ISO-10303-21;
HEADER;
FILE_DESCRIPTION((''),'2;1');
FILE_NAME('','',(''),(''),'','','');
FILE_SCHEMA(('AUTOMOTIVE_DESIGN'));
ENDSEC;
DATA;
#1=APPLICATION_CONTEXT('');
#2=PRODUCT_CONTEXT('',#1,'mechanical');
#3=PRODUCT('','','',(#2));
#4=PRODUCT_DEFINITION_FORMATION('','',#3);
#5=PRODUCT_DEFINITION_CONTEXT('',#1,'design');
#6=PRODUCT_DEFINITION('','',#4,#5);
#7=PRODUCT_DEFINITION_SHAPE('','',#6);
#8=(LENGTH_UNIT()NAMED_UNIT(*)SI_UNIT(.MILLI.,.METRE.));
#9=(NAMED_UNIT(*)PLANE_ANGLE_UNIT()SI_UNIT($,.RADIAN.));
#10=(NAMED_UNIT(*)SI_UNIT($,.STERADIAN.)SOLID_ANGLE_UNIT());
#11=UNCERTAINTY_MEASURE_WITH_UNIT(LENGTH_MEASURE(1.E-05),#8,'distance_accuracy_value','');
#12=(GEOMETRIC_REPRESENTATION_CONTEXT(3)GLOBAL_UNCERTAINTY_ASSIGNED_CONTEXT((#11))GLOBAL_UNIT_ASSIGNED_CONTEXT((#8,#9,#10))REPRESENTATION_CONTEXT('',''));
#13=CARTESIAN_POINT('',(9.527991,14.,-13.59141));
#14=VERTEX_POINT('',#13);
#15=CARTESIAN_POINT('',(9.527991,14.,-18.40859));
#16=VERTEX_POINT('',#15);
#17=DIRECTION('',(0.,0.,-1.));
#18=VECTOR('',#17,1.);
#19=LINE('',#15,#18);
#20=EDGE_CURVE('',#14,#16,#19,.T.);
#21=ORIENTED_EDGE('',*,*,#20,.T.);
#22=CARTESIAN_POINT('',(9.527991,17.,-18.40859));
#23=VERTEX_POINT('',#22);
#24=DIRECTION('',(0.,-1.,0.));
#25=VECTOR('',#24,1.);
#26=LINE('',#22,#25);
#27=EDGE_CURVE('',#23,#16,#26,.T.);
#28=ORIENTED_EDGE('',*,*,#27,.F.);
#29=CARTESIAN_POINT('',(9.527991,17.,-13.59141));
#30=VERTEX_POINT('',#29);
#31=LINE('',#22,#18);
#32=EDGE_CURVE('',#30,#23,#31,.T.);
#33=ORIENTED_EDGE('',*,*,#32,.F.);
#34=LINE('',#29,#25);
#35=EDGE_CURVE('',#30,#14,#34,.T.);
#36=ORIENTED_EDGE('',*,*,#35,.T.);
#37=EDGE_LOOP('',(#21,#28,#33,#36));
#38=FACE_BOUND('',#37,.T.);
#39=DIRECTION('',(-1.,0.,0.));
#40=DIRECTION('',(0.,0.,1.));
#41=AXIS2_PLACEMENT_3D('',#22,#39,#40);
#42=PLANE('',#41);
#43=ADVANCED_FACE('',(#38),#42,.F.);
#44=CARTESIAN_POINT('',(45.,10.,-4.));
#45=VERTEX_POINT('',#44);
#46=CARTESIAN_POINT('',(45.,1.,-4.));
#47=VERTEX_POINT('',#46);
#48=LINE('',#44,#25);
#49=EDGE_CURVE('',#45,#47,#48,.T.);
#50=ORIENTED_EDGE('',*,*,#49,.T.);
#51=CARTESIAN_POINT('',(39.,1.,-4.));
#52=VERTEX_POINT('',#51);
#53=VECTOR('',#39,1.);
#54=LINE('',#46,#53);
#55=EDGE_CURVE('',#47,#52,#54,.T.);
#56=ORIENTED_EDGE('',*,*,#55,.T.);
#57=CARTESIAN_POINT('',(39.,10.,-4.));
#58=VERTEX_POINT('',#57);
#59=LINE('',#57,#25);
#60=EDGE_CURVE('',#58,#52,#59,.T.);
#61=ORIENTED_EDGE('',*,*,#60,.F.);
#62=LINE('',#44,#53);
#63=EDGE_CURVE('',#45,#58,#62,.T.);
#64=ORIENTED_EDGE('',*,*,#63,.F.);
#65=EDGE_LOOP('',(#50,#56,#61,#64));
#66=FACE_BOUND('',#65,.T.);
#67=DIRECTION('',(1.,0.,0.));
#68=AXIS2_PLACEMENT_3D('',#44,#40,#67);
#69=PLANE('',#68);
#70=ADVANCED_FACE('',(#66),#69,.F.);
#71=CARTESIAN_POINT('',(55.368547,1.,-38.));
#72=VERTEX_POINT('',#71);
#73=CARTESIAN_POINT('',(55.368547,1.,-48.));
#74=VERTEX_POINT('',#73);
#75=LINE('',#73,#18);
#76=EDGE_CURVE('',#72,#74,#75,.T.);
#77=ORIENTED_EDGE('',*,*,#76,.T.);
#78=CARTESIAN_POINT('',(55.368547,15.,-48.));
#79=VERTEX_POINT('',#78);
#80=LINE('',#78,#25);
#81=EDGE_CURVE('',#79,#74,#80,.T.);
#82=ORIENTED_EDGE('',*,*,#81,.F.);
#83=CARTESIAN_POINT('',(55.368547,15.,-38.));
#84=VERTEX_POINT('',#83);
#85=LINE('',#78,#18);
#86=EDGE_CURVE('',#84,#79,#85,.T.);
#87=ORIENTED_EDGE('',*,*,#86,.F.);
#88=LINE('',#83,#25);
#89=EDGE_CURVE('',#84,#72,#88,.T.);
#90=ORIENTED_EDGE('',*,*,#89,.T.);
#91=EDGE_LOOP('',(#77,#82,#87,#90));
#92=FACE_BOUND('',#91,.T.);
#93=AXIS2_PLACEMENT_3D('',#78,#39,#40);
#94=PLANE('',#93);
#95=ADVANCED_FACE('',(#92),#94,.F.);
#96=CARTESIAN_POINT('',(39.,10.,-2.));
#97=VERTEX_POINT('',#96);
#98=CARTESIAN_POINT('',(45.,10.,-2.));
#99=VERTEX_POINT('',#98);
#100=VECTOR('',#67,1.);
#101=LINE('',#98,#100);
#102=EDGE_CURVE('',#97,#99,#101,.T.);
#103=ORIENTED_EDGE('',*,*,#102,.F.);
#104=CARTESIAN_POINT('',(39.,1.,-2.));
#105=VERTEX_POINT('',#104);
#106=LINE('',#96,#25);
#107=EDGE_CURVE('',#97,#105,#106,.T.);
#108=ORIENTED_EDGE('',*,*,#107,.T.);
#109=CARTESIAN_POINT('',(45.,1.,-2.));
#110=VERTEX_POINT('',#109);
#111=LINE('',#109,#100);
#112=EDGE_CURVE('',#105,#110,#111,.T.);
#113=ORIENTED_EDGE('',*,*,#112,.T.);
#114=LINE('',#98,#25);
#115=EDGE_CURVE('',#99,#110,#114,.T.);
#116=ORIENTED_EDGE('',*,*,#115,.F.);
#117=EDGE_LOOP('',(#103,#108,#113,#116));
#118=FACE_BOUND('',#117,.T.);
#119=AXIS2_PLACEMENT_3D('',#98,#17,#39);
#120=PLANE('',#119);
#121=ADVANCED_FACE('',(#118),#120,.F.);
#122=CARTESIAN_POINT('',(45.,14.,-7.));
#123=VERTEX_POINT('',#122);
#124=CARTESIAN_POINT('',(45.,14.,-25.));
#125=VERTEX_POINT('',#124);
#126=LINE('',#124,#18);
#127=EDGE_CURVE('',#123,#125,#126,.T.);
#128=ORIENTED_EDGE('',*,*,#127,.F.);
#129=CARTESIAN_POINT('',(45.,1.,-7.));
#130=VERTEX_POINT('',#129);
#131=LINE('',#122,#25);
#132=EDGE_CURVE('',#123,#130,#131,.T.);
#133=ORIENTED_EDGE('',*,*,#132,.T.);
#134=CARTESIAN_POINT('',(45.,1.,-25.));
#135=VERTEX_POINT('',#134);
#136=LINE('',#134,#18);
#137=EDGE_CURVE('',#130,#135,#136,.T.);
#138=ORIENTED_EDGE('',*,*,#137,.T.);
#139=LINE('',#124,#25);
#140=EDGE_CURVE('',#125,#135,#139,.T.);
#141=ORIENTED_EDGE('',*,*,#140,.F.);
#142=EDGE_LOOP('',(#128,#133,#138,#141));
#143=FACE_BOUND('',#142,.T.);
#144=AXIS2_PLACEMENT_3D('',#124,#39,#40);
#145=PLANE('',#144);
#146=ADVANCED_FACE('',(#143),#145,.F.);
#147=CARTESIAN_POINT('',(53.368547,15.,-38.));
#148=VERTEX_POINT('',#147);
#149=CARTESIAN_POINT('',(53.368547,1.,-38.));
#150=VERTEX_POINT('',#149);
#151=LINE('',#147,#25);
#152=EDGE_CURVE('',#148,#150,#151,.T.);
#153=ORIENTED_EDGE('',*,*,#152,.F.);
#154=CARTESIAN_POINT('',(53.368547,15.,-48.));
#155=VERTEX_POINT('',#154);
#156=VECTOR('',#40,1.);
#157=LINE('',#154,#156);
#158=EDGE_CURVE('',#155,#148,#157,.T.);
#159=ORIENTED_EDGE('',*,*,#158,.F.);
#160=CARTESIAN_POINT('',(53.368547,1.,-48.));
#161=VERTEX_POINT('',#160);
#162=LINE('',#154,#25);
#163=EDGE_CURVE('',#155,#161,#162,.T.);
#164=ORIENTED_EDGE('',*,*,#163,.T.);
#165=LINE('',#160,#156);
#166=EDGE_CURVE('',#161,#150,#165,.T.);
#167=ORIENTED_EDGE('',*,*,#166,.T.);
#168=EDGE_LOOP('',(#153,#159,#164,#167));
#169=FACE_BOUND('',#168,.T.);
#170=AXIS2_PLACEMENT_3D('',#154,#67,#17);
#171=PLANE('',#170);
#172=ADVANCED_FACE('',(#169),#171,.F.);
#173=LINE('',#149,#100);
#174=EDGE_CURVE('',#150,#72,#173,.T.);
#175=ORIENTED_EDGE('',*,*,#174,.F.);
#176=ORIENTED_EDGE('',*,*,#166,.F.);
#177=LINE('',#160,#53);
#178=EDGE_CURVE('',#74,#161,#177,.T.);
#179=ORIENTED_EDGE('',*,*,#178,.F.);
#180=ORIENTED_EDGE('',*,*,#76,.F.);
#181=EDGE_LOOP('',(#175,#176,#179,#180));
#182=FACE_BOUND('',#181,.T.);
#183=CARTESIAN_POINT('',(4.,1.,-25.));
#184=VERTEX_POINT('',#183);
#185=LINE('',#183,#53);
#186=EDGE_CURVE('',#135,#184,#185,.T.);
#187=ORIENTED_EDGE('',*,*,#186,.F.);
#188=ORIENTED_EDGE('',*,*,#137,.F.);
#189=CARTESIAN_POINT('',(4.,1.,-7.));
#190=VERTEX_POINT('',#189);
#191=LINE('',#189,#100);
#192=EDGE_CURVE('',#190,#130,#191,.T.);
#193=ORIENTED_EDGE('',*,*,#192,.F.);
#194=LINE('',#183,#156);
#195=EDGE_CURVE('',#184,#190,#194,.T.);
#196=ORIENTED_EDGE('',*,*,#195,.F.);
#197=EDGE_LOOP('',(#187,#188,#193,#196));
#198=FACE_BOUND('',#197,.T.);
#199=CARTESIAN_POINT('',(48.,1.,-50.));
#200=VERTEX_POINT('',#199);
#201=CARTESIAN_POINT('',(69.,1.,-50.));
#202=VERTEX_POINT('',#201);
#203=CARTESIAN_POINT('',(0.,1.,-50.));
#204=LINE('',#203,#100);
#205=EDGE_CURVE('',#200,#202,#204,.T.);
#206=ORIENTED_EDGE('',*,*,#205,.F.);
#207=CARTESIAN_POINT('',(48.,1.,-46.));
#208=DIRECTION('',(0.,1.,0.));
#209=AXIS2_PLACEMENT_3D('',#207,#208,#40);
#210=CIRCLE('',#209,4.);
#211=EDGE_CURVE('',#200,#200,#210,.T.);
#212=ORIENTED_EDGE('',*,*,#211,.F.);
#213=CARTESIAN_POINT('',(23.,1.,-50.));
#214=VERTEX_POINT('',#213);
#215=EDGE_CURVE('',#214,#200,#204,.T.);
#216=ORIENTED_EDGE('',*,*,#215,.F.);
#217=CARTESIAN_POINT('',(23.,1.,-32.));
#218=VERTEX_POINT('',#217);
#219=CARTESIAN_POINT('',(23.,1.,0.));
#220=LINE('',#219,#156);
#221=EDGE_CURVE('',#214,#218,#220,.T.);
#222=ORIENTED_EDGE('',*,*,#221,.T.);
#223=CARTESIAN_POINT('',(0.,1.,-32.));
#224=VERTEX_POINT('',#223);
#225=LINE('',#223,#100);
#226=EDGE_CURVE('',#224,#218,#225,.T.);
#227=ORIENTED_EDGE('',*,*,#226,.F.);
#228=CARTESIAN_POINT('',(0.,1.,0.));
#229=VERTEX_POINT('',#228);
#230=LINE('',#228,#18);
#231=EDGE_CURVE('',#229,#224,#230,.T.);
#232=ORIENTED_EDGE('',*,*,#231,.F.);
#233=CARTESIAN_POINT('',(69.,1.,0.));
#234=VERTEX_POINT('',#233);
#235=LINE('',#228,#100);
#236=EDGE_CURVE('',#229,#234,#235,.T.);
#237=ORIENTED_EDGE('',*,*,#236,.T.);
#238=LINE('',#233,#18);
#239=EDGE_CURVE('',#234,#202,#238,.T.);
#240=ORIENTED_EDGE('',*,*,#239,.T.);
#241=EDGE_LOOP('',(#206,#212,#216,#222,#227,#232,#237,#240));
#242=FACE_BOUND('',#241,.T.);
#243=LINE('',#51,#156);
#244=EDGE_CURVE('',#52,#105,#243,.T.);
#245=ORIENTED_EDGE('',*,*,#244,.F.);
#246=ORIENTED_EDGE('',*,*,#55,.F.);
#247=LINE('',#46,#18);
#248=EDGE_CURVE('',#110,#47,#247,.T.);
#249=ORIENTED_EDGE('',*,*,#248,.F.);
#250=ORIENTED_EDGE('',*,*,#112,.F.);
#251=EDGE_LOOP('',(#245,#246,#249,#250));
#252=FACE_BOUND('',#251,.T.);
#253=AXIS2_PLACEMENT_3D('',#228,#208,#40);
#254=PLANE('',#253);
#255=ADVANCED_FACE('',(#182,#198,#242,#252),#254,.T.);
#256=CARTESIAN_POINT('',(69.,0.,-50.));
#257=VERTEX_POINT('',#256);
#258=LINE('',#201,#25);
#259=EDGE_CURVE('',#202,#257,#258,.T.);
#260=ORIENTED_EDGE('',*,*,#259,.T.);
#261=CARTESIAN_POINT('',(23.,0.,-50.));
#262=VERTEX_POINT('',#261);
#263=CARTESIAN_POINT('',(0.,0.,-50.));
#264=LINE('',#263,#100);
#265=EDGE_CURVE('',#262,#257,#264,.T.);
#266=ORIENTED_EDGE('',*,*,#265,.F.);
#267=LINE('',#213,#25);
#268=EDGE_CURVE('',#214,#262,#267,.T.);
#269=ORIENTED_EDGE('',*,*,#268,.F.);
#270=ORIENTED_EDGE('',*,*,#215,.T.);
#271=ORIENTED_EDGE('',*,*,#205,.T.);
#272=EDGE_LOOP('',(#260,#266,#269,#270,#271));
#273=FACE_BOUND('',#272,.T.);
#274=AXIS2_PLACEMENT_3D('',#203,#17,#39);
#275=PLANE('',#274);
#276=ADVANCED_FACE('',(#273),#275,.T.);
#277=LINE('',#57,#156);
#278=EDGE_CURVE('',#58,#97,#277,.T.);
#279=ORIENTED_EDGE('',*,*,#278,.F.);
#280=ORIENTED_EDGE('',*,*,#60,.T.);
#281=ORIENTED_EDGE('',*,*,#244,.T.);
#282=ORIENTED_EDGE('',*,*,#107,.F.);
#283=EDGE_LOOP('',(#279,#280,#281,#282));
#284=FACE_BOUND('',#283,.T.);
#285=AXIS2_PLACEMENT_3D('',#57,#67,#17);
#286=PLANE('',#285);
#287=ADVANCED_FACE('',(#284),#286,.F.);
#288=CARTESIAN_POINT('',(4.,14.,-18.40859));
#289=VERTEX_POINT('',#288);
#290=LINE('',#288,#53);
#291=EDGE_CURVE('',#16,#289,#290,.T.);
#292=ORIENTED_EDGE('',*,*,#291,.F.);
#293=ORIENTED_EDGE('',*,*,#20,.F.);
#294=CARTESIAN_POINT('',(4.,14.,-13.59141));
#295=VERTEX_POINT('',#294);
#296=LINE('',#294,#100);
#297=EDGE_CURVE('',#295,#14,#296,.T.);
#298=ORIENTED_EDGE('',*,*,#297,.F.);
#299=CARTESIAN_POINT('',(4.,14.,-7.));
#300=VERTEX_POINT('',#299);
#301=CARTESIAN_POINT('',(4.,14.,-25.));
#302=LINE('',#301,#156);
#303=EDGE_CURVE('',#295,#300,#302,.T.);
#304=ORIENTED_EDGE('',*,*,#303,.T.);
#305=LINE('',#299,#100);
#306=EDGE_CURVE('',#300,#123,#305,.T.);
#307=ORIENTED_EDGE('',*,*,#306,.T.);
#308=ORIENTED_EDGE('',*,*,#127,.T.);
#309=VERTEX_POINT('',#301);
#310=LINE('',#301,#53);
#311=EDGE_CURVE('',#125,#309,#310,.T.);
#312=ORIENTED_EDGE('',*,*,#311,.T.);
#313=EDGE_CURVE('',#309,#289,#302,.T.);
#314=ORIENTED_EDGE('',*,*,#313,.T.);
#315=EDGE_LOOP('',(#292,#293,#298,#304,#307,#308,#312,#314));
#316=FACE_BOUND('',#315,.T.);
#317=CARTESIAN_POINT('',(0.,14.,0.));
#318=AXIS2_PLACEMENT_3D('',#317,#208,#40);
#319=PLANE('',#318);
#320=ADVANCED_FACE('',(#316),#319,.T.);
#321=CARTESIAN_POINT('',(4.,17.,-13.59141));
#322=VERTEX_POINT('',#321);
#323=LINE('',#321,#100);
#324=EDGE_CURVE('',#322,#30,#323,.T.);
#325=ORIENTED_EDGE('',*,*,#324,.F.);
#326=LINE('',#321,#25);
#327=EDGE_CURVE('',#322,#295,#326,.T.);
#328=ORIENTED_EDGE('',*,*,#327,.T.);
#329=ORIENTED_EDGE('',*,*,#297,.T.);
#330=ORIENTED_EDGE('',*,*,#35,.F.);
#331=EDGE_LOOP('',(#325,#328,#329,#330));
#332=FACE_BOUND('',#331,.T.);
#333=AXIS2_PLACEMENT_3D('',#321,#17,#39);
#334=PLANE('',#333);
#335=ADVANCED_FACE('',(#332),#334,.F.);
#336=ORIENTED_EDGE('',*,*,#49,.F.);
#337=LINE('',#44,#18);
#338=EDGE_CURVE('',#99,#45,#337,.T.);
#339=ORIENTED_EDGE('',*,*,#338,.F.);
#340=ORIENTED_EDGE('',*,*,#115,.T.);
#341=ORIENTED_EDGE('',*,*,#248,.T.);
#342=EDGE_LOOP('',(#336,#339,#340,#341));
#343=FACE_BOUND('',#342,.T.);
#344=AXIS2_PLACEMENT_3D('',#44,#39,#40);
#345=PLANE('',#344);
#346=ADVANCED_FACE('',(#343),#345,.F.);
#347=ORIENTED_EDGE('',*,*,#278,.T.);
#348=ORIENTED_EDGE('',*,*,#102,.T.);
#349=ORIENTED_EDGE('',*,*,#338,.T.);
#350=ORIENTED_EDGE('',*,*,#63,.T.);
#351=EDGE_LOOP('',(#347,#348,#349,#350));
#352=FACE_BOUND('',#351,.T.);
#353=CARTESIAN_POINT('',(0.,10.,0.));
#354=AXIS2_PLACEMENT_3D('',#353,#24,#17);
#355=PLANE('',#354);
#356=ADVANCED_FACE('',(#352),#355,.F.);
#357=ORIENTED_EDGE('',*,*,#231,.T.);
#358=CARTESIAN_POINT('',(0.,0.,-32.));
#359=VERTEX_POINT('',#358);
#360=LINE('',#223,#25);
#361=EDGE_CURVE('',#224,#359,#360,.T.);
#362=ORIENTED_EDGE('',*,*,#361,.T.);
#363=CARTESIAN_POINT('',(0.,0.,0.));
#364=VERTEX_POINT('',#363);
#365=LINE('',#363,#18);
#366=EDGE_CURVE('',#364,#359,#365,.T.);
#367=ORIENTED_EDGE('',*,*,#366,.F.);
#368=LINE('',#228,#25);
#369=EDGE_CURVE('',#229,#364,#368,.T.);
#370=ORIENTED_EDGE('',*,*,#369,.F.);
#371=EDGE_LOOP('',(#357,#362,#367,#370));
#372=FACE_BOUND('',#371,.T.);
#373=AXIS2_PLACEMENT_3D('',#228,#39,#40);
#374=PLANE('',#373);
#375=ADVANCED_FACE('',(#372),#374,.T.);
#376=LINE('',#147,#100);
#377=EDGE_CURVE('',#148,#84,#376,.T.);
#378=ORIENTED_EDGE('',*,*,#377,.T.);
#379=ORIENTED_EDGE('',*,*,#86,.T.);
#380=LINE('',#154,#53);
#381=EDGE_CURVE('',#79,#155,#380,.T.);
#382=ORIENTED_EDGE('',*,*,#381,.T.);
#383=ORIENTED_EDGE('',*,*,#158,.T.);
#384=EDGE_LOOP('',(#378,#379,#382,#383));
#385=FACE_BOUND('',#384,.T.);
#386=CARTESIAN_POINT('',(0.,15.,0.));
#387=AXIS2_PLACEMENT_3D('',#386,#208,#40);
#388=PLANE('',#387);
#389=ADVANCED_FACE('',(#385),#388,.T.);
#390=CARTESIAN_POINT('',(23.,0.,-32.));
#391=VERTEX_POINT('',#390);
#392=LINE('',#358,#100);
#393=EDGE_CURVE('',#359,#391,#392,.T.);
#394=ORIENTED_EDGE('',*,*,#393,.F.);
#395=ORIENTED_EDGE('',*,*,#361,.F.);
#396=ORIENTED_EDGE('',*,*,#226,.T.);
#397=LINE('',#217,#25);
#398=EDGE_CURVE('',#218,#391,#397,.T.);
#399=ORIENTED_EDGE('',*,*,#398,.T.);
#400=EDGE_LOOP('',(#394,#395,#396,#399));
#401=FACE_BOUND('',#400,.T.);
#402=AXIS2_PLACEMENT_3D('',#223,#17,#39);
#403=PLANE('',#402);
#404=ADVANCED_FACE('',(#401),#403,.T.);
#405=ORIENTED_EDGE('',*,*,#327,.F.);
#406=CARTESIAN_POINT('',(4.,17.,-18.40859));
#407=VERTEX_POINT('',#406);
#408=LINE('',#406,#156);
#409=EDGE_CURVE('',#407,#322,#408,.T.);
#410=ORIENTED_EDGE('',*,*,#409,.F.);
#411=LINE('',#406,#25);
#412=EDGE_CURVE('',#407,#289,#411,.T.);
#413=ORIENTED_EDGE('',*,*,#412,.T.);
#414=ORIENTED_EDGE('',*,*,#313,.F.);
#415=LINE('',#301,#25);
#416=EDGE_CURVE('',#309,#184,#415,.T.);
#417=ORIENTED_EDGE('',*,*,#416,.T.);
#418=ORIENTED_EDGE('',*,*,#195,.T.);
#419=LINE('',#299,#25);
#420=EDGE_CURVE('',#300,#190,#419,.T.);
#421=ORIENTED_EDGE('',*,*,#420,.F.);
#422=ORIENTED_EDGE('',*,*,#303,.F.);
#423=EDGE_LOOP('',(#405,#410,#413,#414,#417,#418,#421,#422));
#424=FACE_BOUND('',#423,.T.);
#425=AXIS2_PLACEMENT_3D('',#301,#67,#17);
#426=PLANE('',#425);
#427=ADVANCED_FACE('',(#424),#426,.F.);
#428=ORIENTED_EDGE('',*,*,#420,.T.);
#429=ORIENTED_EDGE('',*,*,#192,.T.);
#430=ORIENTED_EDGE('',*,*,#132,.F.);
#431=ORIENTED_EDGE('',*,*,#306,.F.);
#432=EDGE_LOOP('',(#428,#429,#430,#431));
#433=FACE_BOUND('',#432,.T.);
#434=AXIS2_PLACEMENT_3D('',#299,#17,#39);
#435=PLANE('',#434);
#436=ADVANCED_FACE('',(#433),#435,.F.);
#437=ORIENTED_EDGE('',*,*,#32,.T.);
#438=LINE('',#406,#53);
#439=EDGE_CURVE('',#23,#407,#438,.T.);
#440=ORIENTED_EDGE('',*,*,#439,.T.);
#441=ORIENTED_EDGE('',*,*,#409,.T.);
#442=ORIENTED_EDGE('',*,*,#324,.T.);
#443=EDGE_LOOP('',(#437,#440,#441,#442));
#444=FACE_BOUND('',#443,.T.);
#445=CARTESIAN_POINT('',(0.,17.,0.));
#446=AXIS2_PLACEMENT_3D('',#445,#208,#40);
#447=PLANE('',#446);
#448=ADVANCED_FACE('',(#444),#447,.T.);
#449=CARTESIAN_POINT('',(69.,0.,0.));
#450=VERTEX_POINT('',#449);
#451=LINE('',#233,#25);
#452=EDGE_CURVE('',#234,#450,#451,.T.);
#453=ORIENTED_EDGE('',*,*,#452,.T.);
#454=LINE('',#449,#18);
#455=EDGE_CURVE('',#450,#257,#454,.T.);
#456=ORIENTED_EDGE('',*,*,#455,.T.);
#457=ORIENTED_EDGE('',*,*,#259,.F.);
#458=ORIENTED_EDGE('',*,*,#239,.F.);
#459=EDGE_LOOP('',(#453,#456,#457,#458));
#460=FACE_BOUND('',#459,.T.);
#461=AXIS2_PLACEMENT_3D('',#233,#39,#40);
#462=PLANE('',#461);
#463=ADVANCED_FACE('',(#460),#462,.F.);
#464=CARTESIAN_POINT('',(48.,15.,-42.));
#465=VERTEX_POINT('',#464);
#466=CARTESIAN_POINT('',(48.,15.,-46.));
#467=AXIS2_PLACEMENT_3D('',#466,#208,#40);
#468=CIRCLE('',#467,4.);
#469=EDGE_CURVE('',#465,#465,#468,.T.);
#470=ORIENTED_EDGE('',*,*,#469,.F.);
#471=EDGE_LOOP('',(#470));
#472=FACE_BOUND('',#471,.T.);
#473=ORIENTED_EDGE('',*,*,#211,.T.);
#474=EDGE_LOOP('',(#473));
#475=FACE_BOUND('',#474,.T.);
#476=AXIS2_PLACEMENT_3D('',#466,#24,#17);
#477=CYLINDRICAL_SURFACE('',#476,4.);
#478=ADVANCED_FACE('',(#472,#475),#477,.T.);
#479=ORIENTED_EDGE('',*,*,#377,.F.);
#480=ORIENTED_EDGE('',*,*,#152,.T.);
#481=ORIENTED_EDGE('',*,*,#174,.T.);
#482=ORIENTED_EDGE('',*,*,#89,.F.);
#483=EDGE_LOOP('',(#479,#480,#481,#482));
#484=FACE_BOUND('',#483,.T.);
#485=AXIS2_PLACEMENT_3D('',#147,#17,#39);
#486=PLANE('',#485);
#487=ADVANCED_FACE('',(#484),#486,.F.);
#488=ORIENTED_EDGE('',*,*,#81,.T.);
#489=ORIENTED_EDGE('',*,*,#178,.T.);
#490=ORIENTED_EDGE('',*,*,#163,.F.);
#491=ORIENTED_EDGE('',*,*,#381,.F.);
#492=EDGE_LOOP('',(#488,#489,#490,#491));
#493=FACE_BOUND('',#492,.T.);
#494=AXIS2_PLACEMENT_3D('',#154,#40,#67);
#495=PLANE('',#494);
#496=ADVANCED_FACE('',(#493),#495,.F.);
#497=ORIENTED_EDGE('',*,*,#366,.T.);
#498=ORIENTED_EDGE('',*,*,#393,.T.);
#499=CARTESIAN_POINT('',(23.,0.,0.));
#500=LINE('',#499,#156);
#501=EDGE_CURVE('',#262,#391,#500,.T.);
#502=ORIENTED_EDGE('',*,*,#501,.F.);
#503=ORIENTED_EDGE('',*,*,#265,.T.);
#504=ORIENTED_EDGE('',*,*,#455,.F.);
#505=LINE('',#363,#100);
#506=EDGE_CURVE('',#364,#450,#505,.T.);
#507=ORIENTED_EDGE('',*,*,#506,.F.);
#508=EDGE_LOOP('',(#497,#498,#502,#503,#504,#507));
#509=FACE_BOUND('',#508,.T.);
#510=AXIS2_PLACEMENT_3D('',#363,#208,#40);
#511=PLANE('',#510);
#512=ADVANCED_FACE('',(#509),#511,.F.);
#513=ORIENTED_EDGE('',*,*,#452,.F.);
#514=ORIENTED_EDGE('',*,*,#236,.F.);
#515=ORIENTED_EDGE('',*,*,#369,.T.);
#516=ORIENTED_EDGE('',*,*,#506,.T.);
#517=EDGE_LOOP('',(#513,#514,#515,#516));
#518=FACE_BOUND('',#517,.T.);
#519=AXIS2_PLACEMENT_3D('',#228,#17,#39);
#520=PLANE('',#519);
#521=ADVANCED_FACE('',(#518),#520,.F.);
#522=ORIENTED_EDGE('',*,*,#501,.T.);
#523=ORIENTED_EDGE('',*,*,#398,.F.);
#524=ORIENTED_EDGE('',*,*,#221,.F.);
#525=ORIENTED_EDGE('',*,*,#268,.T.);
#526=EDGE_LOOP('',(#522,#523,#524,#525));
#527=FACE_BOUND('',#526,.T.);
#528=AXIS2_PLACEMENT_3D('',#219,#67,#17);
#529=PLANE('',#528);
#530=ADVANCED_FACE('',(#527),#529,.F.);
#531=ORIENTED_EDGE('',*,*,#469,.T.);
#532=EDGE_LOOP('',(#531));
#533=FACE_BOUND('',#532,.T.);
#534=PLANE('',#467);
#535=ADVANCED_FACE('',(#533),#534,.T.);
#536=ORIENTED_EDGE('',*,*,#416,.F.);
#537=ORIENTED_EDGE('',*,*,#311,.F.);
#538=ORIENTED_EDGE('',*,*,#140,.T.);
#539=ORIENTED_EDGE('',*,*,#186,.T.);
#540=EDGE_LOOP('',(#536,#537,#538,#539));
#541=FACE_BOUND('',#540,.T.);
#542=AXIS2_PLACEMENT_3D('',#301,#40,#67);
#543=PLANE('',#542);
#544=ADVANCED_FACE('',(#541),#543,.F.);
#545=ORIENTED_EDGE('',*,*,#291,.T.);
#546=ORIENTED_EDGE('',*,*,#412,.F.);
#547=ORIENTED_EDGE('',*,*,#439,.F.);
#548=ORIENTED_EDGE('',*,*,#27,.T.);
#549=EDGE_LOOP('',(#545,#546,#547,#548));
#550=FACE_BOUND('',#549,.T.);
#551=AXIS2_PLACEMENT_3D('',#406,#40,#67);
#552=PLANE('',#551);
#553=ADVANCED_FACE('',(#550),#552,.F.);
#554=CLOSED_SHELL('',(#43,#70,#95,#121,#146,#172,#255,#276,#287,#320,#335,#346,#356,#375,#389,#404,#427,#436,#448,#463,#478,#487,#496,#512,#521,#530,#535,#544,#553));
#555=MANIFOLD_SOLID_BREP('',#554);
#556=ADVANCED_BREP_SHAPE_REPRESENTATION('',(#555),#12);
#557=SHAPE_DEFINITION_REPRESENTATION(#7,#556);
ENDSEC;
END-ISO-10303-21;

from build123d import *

# Parameters (mm, degrees)
BOSS_EXTRUDE1_DEPTH = 1
SKETCH3_W           = 41
SKETCH3_H           = 18
BOSS_EXTRUDE2_DEPTH = 13
SKETCH4_W           = 5.527991342
SKETCH4_H           = 4.817179588
BOSS_EXTRUDE3_DEPTH = 3
SKETCH5_W           = 6
SKETCH5_H           = 2
BOSS_EXTRUDE4_DEPTH = 9
SKETCH6_R           = 4
BOSS_EXTRUDE5_DEPTH = 14
SKETCH7_W           = 2
SKETCH7_H           = 10
BOSS_EXTRUDE6_DEPTH = 14


with BuildPart() as part:
    # Sketch2 → Boss-Extrude1 (new body)
    with BuildSketch(Plane(origin=(0, 0, 0), x_dir=(1, 0, 0), z_dir=(0, 1, 0))):
        Polygon((0, 32), (0, 0), (69, 0), (69, 50), (23, 50), (23, 32), align=None)
    extrude(amount=BOSS_EXTRUDE1_DEPTH)

    # Sketch3 → Boss-Extrude2 (add)
    with BuildSketch(Plane(origin=(0, 1, 0), x_dir=(1, 0, 0), z_dir=(0, 1, 0))):
        with Locations((24.5, 16)):
            Rectangle(SKETCH3_W, SKETCH3_H)
    extrude(amount=BOSS_EXTRUDE2_DEPTH)

    # Sketch4 → Boss-Extrude3 (add)
    with BuildSketch(Plane(origin=(0, 14, 0), x_dir=(1, 0, 0), z_dir=(0, 1, 0))):
        with Locations((6.763995671, 16)):
            Rectangle(SKETCH4_W, SKETCH4_H)
    extrude(amount=BOSS_EXTRUDE3_DEPTH)

    # Sketch5 → Boss-Extrude4 (add)
    with BuildSketch(Plane(origin=(0, 1, 0), x_dir=(1, 0, 0), z_dir=(0, 1, 0))):
        with Locations((42, 3)):
            Rectangle(SKETCH5_W, SKETCH5_H)
    extrude(amount=BOSS_EXTRUDE4_DEPTH)

    # Sketch6 → Boss-Extrude5 (add)
    with BuildSketch(Plane(origin=(0, 1, 0), x_dir=(1, 0, 0), z_dir=(0, 1, 0))):
        with Locations(Location((48, 46, 0), (0, 0, 90))):
            Circle(SKETCH6_R)
    extrude(amount=BOSS_EXTRUDE5_DEPTH)

    # Sketch7 → Boss-Extrude6 (add)
    with BuildSketch(Plane(origin=(0, 1, 0), x_dir=(1, 0, 0), z_dir=(0, 1, 0))):
        with Locations((54.368547089, 43)):
            Rectangle(SKETCH7_W, SKETCH7_H)
    extrude(amount=BOSS_EXTRUDE6_DEPTH)


solid = part.part
